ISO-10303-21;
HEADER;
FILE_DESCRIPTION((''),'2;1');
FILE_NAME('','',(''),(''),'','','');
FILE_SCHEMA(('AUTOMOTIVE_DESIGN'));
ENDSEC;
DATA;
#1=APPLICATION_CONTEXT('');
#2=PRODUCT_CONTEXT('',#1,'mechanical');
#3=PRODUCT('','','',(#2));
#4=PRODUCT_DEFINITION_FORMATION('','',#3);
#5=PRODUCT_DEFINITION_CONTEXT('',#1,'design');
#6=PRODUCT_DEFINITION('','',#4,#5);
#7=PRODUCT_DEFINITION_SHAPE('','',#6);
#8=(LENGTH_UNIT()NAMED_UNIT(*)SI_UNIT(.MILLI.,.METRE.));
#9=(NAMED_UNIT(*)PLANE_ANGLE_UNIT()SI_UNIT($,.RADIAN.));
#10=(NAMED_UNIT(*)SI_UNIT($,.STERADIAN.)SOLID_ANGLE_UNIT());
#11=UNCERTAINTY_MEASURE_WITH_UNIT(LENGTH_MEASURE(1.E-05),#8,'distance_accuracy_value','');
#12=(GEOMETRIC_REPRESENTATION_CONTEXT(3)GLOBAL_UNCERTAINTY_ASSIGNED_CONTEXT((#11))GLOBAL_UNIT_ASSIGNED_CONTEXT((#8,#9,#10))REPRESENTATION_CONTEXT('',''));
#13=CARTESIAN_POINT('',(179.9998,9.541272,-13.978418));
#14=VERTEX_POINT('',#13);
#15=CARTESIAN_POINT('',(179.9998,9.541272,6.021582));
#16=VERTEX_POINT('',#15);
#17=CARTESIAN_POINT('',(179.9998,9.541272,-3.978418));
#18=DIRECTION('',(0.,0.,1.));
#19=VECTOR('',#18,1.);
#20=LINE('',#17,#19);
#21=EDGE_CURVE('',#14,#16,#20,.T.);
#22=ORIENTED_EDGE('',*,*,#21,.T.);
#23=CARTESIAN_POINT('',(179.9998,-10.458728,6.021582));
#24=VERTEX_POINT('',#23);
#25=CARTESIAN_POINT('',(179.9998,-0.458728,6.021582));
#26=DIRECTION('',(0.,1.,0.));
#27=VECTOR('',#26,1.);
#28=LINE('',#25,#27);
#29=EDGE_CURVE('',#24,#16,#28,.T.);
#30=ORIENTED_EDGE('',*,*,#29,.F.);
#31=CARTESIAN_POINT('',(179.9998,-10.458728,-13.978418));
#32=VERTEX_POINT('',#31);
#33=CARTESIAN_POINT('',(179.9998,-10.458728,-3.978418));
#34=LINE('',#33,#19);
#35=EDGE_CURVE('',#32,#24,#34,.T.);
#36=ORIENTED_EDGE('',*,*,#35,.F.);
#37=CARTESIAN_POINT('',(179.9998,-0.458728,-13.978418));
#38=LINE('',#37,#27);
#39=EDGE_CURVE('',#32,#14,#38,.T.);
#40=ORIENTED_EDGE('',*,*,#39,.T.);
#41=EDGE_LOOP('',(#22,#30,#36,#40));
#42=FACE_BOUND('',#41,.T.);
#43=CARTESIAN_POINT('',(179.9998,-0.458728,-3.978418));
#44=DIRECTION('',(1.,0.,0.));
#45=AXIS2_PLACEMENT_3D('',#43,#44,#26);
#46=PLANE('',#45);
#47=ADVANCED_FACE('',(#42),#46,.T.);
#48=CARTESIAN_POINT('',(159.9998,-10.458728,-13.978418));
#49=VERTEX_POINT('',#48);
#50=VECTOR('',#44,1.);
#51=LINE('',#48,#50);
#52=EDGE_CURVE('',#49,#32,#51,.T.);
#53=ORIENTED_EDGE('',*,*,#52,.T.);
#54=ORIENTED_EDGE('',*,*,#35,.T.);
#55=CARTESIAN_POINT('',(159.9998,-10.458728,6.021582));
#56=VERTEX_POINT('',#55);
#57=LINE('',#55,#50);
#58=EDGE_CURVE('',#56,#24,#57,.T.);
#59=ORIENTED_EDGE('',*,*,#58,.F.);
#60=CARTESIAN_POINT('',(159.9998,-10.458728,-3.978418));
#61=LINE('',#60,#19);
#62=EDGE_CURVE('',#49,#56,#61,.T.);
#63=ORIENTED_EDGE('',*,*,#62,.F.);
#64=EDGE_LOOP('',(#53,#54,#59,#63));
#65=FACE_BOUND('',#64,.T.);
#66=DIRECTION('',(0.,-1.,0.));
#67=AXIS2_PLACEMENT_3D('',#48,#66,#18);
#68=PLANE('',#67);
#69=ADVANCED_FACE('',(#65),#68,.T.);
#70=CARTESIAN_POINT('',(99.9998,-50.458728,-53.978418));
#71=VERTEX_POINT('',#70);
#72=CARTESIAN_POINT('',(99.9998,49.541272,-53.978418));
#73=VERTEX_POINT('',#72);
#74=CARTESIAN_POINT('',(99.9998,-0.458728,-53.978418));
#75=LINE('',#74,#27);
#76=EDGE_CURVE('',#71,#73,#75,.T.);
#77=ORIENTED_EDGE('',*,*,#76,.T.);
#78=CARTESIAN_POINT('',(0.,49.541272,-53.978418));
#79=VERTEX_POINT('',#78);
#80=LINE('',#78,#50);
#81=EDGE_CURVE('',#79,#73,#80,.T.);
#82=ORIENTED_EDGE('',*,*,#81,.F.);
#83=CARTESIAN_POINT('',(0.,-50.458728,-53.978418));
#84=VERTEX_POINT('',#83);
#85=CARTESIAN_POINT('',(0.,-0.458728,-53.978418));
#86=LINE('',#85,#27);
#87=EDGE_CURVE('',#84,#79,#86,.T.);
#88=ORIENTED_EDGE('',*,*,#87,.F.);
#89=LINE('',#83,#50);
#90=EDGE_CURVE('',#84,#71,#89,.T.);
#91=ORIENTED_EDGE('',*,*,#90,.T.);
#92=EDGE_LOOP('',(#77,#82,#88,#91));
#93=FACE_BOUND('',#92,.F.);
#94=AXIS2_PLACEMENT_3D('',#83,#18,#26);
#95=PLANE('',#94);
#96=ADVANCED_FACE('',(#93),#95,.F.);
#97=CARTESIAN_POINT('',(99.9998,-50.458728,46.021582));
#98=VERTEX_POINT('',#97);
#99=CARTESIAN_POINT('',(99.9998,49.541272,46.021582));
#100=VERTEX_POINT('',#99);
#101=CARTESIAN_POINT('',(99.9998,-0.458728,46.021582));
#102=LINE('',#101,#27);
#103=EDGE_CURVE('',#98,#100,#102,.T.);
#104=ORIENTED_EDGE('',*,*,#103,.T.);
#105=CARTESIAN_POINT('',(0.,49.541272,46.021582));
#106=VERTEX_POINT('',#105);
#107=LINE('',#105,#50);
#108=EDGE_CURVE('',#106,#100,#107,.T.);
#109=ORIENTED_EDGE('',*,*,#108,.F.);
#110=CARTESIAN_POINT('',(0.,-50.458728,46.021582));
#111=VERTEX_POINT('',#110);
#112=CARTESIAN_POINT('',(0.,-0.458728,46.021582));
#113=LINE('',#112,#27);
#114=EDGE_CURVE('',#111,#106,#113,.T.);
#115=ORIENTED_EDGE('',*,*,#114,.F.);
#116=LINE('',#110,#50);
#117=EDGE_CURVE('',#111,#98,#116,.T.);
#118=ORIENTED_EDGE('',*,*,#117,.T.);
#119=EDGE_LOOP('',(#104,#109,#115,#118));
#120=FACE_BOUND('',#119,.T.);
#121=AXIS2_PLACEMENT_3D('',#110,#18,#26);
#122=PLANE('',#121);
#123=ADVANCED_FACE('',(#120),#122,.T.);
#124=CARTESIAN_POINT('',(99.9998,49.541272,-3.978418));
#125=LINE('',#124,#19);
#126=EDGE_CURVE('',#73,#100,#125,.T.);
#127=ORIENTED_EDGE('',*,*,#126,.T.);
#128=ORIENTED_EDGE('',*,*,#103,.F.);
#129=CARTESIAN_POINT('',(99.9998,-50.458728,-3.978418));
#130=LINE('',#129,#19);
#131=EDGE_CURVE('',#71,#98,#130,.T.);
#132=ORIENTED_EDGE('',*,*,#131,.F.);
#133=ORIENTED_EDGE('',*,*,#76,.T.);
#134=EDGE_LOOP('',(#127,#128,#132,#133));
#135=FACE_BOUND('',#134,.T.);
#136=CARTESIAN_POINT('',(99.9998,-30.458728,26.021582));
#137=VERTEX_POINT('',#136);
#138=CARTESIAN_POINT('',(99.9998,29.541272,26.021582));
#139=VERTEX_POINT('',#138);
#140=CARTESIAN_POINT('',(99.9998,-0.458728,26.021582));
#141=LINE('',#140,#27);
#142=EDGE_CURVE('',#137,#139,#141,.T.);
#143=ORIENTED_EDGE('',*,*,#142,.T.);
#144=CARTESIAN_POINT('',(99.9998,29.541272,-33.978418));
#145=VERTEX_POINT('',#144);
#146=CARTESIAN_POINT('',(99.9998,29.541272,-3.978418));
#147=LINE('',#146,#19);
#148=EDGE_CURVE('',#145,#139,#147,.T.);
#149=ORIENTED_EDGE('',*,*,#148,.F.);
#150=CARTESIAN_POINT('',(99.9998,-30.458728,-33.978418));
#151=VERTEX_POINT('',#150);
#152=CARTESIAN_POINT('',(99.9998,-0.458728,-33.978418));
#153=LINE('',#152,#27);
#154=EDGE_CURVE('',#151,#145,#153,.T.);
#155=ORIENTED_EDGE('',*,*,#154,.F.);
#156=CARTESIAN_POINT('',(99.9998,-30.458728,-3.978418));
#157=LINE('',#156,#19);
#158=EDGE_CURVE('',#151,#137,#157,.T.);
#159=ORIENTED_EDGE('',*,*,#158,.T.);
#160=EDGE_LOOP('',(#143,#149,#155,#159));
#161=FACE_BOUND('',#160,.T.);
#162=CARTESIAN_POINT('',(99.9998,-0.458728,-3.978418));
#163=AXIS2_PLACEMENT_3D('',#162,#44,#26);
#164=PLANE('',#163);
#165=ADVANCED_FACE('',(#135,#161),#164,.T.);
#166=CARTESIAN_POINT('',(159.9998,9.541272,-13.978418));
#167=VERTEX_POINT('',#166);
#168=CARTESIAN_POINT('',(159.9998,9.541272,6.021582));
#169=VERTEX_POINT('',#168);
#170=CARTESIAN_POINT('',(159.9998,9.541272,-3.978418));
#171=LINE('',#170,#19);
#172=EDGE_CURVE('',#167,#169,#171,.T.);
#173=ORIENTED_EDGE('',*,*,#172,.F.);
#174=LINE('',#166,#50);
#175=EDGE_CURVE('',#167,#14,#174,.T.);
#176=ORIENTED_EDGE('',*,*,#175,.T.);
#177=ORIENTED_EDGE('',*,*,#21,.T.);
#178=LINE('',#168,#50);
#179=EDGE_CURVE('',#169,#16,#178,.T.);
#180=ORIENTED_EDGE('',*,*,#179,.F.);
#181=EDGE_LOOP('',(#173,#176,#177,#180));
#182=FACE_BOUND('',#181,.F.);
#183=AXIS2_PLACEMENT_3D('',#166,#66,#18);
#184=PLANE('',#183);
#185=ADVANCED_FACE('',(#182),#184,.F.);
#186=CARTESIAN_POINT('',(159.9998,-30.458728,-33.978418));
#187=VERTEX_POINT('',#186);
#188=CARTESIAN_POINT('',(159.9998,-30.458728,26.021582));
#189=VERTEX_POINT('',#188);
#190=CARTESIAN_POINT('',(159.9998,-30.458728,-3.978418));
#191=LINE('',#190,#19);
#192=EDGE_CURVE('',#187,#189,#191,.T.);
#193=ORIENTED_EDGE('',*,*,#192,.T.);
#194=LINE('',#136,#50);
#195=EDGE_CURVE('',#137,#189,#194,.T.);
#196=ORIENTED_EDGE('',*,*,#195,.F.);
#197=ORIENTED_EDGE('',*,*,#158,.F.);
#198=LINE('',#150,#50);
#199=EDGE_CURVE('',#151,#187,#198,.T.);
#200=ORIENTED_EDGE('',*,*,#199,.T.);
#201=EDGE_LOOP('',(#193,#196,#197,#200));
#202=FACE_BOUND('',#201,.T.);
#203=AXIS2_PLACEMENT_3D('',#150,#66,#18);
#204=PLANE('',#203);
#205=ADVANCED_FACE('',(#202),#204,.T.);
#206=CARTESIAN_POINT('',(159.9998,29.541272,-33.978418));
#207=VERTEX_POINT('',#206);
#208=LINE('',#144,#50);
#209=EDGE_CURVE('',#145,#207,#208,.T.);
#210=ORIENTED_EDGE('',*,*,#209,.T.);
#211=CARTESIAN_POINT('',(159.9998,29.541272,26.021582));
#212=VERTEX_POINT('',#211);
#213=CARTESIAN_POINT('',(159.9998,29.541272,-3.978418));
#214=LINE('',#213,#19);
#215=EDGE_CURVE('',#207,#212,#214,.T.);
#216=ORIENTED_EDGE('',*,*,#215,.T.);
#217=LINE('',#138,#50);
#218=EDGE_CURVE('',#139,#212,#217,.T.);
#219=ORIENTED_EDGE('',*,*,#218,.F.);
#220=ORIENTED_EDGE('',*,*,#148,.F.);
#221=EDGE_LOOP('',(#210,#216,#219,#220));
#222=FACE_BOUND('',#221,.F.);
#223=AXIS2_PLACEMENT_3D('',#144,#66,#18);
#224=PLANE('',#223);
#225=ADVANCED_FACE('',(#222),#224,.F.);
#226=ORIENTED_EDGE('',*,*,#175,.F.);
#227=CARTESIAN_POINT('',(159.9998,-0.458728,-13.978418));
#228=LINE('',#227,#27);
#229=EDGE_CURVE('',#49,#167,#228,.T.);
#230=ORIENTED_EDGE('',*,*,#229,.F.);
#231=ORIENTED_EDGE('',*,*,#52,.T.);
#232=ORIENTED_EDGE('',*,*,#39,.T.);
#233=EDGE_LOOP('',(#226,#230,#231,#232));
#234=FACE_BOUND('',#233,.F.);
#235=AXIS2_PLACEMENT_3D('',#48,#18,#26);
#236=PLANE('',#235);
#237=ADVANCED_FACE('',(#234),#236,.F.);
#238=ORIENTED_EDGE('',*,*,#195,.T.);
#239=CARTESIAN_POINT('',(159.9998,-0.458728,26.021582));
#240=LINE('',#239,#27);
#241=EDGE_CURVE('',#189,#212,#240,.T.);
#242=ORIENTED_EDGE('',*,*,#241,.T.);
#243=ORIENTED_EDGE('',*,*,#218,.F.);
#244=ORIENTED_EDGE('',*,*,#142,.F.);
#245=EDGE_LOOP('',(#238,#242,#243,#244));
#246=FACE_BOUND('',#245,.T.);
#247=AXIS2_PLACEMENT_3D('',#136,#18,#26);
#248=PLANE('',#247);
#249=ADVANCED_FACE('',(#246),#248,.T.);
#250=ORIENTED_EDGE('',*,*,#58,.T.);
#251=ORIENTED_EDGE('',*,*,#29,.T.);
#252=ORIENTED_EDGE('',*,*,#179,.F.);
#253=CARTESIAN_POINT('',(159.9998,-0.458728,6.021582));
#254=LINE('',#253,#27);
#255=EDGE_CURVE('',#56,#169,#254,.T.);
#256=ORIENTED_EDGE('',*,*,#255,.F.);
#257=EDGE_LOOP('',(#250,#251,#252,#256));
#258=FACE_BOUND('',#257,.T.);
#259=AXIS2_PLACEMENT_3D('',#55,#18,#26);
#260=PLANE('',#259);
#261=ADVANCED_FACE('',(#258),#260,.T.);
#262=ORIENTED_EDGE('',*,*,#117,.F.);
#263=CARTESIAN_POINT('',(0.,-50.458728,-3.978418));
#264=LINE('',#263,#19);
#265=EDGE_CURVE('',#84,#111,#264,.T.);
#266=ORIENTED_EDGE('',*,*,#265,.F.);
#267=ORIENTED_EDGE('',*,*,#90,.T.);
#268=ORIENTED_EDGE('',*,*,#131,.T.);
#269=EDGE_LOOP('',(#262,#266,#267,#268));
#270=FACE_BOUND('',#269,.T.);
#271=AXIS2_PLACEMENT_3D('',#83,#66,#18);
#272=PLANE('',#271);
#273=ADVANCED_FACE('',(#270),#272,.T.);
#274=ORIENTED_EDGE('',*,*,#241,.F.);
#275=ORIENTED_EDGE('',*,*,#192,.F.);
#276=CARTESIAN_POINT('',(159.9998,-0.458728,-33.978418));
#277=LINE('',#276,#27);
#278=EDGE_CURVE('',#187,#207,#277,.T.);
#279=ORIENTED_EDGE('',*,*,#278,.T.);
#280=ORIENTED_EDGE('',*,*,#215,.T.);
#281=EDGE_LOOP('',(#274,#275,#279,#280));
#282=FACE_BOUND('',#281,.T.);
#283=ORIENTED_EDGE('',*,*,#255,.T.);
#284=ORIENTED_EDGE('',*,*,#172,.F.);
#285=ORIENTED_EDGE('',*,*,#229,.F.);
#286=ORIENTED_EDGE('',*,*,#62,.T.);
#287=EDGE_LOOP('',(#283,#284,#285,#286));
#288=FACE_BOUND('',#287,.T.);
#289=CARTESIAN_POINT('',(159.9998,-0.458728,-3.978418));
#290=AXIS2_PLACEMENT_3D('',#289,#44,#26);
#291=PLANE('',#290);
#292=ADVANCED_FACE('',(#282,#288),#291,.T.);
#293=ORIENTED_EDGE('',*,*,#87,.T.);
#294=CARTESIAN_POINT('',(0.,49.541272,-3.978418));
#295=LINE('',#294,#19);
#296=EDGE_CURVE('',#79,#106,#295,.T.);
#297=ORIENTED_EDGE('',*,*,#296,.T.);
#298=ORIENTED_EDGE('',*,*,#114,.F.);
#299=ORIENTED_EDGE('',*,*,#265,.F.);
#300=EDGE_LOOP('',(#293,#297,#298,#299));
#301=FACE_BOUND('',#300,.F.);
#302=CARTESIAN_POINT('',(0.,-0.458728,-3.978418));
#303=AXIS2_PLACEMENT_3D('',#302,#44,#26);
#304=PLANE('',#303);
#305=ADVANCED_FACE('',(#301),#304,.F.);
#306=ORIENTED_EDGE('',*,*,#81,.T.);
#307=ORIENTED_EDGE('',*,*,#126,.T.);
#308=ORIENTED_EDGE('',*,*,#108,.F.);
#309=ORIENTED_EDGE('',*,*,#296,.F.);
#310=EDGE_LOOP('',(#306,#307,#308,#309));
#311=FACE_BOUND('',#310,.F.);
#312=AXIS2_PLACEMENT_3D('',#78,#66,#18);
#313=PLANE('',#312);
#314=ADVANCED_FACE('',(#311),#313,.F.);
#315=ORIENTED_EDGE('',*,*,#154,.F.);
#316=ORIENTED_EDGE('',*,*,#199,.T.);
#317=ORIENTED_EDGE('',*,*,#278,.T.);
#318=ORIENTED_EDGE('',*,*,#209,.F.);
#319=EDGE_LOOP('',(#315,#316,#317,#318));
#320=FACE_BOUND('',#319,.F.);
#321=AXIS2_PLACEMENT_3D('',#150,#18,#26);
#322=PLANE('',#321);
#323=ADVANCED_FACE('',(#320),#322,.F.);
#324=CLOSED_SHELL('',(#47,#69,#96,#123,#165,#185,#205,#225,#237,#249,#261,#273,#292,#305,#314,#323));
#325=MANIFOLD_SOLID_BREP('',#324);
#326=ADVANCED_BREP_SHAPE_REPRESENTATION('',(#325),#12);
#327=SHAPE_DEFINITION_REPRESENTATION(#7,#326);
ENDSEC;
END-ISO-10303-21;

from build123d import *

# Parameters (mm, degrees)
F0_W     = 100
F0_H     = 100
F1_DEPTH = 99.9998
F2_W     = 60
F2_H     = 60
F3_DEPTH = 60
F4_W     = 20
F4_H     = 20
F5_DEPTH = 20


with BuildPart() as f1:
    # F0 (on Right) → F1 (new body)
    with BuildSketch(Plane.YZ):
        with Locations((-0.458728, -3.978418)):
            Rectangle(F0_W, F0_H)
    extrude(amount=F1_DEPTH)

    # F2 (on face) → F3 (join)
    with BuildSketch(Plane.YZ.offset(99.9998)):
        with Locations((-0.458728, -3.978418)):
            Rectangle(F2_W, F2_H)
    extrude(amount=F3_DEPTH)

    # F4 (on face) → F5 (join)
    with BuildSketch(Plane.YZ.offset(159.9998)):
        with Locations((-0.458728, -3.978418)):
            Rectangle(F4_W, F4_H)
    extrude(amount=F5_DEPTH)


solid = f1.part
